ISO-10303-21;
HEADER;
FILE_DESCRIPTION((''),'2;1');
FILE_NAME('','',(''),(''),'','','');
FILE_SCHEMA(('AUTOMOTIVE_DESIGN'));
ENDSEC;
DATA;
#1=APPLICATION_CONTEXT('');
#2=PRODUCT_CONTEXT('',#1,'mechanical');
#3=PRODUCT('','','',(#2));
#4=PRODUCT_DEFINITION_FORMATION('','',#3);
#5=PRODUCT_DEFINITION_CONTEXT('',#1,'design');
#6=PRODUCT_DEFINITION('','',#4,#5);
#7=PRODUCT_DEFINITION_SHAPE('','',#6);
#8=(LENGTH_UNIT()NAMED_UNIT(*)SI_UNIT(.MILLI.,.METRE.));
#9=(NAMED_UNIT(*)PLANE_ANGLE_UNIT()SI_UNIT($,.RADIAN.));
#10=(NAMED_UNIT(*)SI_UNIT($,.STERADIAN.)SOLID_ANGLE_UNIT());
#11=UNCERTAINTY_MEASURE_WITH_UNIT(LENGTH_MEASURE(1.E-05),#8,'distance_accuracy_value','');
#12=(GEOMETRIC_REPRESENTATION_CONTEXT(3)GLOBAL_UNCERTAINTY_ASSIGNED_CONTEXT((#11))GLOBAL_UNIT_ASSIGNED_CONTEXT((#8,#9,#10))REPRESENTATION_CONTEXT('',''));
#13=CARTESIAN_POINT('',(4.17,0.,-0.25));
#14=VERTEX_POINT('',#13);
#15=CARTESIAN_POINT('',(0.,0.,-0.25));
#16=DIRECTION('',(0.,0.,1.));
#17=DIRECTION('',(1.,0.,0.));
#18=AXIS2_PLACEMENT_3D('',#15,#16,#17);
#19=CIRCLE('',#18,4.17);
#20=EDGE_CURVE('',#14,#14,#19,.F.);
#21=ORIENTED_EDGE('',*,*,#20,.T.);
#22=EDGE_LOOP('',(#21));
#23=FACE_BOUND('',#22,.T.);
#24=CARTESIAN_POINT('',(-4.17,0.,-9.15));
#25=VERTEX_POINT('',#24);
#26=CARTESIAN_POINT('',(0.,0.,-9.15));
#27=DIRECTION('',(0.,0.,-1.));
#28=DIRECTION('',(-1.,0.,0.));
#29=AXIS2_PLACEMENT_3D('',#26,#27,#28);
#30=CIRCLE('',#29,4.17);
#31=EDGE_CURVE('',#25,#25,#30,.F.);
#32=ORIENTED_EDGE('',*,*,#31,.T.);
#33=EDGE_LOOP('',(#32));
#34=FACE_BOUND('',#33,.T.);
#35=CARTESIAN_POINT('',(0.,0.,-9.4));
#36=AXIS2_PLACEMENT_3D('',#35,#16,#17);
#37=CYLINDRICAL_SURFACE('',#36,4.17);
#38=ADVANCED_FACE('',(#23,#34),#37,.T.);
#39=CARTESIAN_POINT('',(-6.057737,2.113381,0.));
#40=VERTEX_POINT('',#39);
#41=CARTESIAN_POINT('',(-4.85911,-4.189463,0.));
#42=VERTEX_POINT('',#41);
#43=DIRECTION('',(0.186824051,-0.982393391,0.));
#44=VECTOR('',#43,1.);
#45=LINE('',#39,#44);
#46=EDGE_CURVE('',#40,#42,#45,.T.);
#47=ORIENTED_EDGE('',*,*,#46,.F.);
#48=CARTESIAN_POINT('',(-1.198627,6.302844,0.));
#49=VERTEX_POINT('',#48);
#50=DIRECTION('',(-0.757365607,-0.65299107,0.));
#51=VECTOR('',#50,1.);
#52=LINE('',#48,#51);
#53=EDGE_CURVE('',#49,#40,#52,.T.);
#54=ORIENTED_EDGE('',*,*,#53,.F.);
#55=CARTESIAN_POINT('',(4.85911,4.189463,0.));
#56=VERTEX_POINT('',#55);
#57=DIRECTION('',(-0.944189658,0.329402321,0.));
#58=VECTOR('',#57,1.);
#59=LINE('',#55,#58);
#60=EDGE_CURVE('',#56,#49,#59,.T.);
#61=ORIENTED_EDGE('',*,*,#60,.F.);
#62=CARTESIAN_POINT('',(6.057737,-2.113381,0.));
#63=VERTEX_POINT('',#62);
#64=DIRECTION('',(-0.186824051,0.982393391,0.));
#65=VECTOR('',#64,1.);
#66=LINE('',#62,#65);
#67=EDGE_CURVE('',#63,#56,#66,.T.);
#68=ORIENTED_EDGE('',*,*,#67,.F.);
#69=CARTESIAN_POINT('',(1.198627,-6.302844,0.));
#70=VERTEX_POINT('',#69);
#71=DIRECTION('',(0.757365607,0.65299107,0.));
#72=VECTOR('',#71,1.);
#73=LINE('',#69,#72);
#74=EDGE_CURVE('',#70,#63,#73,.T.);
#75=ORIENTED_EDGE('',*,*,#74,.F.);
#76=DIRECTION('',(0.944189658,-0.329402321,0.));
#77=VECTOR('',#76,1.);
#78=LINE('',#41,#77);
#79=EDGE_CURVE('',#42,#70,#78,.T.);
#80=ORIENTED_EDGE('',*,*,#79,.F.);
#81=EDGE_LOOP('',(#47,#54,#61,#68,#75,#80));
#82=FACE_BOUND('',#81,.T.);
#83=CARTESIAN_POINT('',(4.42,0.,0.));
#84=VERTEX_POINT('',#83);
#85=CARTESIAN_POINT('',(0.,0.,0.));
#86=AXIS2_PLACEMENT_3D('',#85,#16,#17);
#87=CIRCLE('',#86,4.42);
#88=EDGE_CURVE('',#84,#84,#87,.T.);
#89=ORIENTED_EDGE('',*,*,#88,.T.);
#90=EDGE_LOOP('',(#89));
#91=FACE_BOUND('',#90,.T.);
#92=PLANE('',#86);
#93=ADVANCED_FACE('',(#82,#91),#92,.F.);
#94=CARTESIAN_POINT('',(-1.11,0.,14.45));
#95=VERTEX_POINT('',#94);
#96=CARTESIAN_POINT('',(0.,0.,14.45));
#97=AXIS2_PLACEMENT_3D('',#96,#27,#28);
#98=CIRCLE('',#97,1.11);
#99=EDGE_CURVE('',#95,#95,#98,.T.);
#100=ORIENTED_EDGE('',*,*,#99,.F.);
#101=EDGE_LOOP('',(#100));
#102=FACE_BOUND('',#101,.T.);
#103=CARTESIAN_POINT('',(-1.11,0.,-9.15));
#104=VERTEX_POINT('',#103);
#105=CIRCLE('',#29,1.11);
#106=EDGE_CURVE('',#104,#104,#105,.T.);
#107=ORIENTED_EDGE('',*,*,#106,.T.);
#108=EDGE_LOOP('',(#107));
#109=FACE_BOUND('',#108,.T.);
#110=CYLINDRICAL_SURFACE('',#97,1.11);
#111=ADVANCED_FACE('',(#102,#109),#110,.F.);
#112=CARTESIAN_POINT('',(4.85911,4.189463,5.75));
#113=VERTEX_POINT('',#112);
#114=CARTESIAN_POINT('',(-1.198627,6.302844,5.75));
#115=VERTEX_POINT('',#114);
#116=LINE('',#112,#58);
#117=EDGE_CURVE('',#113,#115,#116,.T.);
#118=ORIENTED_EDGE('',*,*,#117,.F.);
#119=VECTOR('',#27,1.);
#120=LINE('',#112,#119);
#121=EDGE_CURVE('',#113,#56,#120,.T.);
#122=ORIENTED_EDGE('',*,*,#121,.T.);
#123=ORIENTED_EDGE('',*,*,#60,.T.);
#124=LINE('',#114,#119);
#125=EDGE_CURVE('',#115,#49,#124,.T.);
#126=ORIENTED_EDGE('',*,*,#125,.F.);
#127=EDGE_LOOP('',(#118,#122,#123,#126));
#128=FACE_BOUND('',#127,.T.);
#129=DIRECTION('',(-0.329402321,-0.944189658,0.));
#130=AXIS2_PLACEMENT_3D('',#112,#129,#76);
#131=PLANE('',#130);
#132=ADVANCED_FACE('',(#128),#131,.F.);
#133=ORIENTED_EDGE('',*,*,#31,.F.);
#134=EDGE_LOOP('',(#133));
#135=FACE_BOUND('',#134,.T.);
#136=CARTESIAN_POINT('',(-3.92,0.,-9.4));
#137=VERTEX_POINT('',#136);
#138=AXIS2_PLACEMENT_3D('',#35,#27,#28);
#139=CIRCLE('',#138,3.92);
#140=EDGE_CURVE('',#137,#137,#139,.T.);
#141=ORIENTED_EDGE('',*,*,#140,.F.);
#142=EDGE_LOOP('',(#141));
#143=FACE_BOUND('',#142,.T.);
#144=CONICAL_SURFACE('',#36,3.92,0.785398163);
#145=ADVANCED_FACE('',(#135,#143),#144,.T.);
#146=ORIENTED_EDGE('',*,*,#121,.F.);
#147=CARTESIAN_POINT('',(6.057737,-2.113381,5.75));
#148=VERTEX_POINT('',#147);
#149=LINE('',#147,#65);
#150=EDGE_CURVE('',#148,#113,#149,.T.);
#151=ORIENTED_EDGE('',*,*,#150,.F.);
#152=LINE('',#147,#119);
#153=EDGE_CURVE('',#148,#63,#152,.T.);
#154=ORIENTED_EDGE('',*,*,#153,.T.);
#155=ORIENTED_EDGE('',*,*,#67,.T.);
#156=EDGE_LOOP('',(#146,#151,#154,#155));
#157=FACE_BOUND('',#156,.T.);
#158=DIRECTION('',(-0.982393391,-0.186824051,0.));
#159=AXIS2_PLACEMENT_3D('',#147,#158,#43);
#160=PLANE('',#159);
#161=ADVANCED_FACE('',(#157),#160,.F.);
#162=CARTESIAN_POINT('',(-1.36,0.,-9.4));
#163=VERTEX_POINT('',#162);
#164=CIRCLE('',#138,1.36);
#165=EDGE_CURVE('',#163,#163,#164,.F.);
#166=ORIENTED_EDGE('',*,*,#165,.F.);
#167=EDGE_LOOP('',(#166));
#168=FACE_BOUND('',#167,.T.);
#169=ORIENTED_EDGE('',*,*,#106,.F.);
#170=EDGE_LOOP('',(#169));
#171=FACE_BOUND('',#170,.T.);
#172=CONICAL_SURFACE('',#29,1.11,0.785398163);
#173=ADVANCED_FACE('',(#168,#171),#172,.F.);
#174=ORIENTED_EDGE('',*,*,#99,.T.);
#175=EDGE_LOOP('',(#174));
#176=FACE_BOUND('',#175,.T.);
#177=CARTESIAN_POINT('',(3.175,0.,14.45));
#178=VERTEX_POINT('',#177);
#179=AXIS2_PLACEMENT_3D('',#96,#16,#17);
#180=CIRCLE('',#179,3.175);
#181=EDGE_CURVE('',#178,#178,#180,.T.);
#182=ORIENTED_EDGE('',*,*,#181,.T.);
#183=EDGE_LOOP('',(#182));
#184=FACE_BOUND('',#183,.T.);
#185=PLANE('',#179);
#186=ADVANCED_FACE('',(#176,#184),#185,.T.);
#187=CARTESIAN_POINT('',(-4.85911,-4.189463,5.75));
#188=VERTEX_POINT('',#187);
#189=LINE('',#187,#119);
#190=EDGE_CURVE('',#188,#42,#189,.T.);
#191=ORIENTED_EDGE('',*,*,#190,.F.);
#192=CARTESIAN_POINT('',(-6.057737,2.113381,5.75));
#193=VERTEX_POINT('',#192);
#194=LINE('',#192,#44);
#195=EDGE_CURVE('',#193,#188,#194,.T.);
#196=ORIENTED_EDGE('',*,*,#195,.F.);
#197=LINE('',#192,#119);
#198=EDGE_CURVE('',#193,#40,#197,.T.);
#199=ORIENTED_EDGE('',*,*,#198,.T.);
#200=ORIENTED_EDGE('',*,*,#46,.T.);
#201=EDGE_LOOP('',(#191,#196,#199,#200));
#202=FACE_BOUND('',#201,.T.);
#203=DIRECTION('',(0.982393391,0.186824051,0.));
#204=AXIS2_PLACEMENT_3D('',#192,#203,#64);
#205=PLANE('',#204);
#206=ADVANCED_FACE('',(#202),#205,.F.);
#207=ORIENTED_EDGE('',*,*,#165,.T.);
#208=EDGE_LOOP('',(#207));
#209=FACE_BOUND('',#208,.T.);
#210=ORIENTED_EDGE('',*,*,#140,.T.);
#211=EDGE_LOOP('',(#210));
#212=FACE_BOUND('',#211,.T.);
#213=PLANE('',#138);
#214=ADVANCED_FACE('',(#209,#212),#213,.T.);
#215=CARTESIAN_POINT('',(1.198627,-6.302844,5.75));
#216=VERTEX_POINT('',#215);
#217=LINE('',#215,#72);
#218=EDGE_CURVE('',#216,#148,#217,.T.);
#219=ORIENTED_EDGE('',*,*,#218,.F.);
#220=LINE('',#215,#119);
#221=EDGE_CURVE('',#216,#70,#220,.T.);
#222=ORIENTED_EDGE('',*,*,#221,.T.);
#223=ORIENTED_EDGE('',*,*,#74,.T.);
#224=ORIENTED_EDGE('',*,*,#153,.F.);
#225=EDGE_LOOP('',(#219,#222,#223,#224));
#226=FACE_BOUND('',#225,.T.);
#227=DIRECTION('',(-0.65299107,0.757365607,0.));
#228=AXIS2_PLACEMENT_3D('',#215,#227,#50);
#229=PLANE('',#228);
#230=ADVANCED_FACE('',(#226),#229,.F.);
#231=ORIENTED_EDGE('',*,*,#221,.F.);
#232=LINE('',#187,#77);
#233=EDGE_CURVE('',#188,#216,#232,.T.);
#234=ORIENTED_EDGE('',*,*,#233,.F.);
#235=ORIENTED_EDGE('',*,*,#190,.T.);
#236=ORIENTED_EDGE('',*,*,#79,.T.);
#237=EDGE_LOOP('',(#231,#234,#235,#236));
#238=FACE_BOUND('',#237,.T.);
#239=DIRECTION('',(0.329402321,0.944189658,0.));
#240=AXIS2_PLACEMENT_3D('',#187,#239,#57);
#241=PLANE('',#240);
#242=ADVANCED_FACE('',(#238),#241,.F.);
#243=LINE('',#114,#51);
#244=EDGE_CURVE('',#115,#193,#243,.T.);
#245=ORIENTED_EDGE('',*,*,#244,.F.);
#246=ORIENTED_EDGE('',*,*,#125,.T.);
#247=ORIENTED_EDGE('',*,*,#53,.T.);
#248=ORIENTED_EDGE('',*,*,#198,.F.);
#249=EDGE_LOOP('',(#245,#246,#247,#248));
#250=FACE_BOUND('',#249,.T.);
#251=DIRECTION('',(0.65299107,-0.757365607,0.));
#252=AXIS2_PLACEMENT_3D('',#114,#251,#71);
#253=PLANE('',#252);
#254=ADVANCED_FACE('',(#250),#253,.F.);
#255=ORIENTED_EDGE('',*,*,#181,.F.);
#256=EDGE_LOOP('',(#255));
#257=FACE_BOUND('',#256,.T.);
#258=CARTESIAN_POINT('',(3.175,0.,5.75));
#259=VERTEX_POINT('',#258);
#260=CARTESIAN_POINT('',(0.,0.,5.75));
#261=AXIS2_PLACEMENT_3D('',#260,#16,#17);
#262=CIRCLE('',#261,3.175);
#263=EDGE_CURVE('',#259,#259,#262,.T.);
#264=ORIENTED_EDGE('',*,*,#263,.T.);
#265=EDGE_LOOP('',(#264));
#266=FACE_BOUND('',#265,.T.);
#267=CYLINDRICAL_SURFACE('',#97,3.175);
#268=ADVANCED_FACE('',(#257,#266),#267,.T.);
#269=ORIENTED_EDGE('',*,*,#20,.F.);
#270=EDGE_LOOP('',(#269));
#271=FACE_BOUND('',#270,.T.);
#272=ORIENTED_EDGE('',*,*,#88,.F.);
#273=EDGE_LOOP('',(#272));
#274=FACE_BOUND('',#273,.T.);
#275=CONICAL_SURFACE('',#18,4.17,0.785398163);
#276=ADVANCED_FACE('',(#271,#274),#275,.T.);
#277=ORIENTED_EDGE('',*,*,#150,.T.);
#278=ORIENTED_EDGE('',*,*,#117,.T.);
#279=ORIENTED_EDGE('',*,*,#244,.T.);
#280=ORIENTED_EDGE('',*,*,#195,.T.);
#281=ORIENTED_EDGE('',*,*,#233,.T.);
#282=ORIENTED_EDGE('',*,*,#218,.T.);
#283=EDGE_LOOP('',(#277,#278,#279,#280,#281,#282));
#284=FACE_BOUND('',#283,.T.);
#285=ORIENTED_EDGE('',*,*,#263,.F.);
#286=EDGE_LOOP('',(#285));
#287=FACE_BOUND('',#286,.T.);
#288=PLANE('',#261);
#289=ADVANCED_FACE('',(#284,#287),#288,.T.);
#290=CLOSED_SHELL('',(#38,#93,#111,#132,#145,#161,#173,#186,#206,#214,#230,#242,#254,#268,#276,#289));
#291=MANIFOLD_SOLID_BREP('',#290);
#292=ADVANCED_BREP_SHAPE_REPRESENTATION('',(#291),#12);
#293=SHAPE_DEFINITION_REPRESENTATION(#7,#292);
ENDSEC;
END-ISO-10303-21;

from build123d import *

# Parameters (mm, degrees)
SALIENTE_EXTRUIR1_DEPTH = 5.75
CROQUIS3_R              = 3.175
SALIENTE_EXTRUIR2_DEPTH = 8.7
CROQUIS5_R              = 4.17
SALIENTE_EXTRUIR3_DEPTH = 9.4
CROQUIS6_R              = 1.11
CORTAR_EXTRUIR1_DEPTH   = 24.85
CHAFL_N1_SIZE           = 0.25


with BuildPart() as part:
    # Croquis2 → Saliente-Extruir1 (new body)
    with BuildSketch(Plane.XY):
        Polygon((4.859109949, 4.189463282), (-1.198626656, 6.302844296), (-6.057736605, 2.113381014), (-4.859109949, -4.189463282), (1.198626656, -6.302844296), (6.057736605, -2.113381014), align=None)
    extrude(amount=SALIENTE_EXTRUIR1_DEPTH)

    # Croquis3 → Saliente-Extruir2 (add)
    with BuildSketch(Plane.XY.offset(5.75)):
        Circle(CROQUIS3_R)
    extrude(amount=SALIENTE_EXTRUIR2_DEPTH)

    # Croquis5 → Saliente-Extruir3 (add)
    with BuildSketch(Plane(origin=(0, 0, 0), x_dir=(-1, 0, 0), z_dir=(0, 0, -1))):
        Circle(CROQUIS5_R)
    extrude(amount=SALIENTE_EXTRUIR3_DEPTH)

    # Croquis6 → Cortar-Extruir1 (cut, through all)
    with BuildSketch(Plane(origin=(0, 0, -9.4), x_dir=(-1, 0, 0), z_dir=(0, 0, -1))):
        Circle(CROQUIS6_R)
    extrude(amount=-CORTAR_EXTRUIR1_DEPTH, mode=Mode.SUBTRACT)

    # Chaflán1
    chafl_n1_edges = [part.edges().sort_by_distance(p)[0] for p in [
        (4.17, 0, 0),
        (4.17, 0, -9.4),
        (1.11, 0, -9.4),
    ]]
    chamfer(chafl_n1_edges, length=CHAFL_N1_SIZE)


solid = part.part
